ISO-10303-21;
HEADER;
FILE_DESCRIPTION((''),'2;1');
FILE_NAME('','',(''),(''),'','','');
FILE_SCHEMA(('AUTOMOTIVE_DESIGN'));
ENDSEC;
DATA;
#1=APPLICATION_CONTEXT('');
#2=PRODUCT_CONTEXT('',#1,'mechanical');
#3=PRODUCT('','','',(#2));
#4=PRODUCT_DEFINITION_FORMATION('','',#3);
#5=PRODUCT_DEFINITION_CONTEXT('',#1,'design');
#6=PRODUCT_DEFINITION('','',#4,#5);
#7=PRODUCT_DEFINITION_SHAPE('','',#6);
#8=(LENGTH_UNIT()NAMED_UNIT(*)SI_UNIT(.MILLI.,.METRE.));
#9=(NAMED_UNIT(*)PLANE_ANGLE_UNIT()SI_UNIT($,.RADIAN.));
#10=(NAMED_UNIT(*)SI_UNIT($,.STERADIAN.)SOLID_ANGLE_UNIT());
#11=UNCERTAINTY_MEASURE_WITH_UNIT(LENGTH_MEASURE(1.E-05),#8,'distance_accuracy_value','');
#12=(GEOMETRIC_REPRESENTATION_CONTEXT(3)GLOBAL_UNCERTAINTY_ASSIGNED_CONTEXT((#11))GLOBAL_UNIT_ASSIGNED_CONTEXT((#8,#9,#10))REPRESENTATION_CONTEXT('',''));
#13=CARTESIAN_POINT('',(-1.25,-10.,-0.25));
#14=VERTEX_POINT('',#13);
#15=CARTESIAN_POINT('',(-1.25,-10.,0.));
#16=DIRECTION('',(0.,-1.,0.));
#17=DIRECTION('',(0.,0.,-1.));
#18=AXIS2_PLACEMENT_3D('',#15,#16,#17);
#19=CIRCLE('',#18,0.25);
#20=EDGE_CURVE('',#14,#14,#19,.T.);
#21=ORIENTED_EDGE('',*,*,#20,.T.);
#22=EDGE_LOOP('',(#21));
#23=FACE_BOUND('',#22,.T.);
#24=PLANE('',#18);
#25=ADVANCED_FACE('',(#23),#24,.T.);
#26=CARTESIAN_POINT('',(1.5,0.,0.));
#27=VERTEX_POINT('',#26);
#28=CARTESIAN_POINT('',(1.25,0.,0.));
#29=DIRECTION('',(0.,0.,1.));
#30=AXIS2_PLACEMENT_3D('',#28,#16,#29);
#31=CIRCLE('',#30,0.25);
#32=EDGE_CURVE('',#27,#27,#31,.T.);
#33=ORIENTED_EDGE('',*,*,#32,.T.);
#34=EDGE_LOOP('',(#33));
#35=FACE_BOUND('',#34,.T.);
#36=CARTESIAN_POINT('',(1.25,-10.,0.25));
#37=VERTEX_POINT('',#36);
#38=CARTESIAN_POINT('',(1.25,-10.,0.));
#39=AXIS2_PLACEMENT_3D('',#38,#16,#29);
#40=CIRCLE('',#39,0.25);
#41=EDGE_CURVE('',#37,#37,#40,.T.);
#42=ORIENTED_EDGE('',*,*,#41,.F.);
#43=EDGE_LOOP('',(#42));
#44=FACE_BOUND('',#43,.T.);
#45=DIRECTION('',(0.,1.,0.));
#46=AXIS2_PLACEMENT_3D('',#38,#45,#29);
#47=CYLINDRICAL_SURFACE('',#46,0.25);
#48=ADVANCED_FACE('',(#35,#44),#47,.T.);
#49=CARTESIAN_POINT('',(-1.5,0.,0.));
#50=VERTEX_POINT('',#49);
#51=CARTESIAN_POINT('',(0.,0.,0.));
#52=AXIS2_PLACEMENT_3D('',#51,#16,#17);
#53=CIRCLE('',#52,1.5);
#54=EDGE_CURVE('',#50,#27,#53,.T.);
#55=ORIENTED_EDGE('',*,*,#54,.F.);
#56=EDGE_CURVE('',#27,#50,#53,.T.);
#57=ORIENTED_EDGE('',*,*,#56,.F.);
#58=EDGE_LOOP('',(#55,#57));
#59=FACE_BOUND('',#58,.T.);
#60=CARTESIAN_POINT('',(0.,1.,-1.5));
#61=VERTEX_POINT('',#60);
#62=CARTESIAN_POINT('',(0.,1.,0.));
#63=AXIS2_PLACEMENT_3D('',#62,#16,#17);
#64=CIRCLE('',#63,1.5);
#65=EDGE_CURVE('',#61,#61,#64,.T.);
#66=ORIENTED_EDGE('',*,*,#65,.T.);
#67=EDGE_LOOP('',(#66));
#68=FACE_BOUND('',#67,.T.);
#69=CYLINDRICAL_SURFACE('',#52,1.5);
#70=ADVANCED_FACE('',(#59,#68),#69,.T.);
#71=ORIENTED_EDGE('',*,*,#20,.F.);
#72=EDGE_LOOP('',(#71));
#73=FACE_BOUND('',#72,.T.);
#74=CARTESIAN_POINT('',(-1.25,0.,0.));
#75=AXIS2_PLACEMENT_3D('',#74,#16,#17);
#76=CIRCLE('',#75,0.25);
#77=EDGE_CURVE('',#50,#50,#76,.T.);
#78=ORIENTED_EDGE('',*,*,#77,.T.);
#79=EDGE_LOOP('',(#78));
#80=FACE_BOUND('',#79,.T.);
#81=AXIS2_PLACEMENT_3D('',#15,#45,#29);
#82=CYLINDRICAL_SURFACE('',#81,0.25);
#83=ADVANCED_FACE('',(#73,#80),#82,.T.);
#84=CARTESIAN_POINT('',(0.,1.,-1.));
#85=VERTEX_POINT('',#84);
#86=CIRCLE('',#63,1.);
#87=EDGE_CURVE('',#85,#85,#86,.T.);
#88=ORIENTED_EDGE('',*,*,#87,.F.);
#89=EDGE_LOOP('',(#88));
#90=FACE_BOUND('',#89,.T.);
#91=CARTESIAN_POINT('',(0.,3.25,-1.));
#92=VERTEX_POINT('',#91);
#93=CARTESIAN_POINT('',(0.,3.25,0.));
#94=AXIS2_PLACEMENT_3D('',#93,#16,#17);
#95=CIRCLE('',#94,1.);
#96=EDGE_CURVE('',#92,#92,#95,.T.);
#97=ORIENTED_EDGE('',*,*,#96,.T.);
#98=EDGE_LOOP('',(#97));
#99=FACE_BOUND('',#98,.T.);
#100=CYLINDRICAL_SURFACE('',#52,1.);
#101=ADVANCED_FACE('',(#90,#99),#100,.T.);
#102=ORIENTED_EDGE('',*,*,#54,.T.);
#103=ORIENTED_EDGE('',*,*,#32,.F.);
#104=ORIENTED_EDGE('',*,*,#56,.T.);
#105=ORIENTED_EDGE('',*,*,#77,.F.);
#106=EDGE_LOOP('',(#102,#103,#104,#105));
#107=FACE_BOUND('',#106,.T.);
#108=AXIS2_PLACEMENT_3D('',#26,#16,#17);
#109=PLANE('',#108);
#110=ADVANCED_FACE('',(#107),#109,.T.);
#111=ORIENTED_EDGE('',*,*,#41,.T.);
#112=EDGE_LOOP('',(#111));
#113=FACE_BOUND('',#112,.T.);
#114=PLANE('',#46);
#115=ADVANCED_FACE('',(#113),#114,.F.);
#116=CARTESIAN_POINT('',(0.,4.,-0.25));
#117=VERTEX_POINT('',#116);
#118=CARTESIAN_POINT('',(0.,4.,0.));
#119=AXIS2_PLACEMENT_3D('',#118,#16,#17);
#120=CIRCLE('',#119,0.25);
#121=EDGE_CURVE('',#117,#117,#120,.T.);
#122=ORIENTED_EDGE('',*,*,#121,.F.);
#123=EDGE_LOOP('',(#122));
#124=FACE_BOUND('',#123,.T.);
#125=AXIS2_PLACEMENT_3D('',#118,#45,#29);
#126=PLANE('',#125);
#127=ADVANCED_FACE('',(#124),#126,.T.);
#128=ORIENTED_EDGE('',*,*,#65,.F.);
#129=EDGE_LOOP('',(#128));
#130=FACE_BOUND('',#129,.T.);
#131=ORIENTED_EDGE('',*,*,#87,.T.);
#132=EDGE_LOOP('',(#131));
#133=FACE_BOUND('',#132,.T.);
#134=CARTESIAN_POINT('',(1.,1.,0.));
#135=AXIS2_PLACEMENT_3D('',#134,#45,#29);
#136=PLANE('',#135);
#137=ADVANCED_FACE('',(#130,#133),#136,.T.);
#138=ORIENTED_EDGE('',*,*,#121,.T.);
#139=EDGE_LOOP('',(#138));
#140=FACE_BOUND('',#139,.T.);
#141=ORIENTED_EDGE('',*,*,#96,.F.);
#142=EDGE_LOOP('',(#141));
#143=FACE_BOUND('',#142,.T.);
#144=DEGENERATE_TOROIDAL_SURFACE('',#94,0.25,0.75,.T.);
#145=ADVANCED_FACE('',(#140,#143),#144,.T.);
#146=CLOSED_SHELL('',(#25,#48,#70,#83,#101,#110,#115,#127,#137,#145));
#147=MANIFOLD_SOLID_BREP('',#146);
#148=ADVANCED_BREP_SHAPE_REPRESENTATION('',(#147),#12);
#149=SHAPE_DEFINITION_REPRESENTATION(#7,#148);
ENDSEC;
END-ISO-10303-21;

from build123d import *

# Parameters (mm, degrees)
ESBO_O2_R                = 0.25
RESSALTO_EXTRUS_O1_DEPTH = 10


with BuildPart() as part:
    # Esboço1 → Revolução1 (revolve)
    with BuildSketch(Plane.XY, mode=Mode.PRIVATE) as revolu_o1_sk:
        with BuildLine():
            Line((0, 4), (0.25, 4))
            ThreePointArc((0.25, 4), (0.780330086, 3.780330086), (1, 3.25))
            Line((1, 3.25), (1, 1))
            Line((1, 1), (1.5, 1))
            Line((1.5, 1), (1.5, 0))
            Line((1.5, 0), (0, 0))
            Line((0, 0), (0, 4))
        make_face()
    revolve(revolu_o1_sk.sketch.rotate(Axis((0, 0, 0), (0, 1, 0)), 90), axis=Axis((0, 0, 0), (0, 1, 0)))

    # Esboço2 → Ressalto-extrusão1 (add)
    with BuildSketch(Plane.XZ):
        with Locations(Location((-1.25, 0, 0), (0, 0, 179.998224755))):
            Circle(ESBO_O2_R)
        with Locations(Location((1.25, 0, 0), (0, 0, 90))):
            Circle(ESBO_O2_R)
    extrude(amount=RESSALTO_EXTRUS_O1_DEPTH)


solid = part.part
